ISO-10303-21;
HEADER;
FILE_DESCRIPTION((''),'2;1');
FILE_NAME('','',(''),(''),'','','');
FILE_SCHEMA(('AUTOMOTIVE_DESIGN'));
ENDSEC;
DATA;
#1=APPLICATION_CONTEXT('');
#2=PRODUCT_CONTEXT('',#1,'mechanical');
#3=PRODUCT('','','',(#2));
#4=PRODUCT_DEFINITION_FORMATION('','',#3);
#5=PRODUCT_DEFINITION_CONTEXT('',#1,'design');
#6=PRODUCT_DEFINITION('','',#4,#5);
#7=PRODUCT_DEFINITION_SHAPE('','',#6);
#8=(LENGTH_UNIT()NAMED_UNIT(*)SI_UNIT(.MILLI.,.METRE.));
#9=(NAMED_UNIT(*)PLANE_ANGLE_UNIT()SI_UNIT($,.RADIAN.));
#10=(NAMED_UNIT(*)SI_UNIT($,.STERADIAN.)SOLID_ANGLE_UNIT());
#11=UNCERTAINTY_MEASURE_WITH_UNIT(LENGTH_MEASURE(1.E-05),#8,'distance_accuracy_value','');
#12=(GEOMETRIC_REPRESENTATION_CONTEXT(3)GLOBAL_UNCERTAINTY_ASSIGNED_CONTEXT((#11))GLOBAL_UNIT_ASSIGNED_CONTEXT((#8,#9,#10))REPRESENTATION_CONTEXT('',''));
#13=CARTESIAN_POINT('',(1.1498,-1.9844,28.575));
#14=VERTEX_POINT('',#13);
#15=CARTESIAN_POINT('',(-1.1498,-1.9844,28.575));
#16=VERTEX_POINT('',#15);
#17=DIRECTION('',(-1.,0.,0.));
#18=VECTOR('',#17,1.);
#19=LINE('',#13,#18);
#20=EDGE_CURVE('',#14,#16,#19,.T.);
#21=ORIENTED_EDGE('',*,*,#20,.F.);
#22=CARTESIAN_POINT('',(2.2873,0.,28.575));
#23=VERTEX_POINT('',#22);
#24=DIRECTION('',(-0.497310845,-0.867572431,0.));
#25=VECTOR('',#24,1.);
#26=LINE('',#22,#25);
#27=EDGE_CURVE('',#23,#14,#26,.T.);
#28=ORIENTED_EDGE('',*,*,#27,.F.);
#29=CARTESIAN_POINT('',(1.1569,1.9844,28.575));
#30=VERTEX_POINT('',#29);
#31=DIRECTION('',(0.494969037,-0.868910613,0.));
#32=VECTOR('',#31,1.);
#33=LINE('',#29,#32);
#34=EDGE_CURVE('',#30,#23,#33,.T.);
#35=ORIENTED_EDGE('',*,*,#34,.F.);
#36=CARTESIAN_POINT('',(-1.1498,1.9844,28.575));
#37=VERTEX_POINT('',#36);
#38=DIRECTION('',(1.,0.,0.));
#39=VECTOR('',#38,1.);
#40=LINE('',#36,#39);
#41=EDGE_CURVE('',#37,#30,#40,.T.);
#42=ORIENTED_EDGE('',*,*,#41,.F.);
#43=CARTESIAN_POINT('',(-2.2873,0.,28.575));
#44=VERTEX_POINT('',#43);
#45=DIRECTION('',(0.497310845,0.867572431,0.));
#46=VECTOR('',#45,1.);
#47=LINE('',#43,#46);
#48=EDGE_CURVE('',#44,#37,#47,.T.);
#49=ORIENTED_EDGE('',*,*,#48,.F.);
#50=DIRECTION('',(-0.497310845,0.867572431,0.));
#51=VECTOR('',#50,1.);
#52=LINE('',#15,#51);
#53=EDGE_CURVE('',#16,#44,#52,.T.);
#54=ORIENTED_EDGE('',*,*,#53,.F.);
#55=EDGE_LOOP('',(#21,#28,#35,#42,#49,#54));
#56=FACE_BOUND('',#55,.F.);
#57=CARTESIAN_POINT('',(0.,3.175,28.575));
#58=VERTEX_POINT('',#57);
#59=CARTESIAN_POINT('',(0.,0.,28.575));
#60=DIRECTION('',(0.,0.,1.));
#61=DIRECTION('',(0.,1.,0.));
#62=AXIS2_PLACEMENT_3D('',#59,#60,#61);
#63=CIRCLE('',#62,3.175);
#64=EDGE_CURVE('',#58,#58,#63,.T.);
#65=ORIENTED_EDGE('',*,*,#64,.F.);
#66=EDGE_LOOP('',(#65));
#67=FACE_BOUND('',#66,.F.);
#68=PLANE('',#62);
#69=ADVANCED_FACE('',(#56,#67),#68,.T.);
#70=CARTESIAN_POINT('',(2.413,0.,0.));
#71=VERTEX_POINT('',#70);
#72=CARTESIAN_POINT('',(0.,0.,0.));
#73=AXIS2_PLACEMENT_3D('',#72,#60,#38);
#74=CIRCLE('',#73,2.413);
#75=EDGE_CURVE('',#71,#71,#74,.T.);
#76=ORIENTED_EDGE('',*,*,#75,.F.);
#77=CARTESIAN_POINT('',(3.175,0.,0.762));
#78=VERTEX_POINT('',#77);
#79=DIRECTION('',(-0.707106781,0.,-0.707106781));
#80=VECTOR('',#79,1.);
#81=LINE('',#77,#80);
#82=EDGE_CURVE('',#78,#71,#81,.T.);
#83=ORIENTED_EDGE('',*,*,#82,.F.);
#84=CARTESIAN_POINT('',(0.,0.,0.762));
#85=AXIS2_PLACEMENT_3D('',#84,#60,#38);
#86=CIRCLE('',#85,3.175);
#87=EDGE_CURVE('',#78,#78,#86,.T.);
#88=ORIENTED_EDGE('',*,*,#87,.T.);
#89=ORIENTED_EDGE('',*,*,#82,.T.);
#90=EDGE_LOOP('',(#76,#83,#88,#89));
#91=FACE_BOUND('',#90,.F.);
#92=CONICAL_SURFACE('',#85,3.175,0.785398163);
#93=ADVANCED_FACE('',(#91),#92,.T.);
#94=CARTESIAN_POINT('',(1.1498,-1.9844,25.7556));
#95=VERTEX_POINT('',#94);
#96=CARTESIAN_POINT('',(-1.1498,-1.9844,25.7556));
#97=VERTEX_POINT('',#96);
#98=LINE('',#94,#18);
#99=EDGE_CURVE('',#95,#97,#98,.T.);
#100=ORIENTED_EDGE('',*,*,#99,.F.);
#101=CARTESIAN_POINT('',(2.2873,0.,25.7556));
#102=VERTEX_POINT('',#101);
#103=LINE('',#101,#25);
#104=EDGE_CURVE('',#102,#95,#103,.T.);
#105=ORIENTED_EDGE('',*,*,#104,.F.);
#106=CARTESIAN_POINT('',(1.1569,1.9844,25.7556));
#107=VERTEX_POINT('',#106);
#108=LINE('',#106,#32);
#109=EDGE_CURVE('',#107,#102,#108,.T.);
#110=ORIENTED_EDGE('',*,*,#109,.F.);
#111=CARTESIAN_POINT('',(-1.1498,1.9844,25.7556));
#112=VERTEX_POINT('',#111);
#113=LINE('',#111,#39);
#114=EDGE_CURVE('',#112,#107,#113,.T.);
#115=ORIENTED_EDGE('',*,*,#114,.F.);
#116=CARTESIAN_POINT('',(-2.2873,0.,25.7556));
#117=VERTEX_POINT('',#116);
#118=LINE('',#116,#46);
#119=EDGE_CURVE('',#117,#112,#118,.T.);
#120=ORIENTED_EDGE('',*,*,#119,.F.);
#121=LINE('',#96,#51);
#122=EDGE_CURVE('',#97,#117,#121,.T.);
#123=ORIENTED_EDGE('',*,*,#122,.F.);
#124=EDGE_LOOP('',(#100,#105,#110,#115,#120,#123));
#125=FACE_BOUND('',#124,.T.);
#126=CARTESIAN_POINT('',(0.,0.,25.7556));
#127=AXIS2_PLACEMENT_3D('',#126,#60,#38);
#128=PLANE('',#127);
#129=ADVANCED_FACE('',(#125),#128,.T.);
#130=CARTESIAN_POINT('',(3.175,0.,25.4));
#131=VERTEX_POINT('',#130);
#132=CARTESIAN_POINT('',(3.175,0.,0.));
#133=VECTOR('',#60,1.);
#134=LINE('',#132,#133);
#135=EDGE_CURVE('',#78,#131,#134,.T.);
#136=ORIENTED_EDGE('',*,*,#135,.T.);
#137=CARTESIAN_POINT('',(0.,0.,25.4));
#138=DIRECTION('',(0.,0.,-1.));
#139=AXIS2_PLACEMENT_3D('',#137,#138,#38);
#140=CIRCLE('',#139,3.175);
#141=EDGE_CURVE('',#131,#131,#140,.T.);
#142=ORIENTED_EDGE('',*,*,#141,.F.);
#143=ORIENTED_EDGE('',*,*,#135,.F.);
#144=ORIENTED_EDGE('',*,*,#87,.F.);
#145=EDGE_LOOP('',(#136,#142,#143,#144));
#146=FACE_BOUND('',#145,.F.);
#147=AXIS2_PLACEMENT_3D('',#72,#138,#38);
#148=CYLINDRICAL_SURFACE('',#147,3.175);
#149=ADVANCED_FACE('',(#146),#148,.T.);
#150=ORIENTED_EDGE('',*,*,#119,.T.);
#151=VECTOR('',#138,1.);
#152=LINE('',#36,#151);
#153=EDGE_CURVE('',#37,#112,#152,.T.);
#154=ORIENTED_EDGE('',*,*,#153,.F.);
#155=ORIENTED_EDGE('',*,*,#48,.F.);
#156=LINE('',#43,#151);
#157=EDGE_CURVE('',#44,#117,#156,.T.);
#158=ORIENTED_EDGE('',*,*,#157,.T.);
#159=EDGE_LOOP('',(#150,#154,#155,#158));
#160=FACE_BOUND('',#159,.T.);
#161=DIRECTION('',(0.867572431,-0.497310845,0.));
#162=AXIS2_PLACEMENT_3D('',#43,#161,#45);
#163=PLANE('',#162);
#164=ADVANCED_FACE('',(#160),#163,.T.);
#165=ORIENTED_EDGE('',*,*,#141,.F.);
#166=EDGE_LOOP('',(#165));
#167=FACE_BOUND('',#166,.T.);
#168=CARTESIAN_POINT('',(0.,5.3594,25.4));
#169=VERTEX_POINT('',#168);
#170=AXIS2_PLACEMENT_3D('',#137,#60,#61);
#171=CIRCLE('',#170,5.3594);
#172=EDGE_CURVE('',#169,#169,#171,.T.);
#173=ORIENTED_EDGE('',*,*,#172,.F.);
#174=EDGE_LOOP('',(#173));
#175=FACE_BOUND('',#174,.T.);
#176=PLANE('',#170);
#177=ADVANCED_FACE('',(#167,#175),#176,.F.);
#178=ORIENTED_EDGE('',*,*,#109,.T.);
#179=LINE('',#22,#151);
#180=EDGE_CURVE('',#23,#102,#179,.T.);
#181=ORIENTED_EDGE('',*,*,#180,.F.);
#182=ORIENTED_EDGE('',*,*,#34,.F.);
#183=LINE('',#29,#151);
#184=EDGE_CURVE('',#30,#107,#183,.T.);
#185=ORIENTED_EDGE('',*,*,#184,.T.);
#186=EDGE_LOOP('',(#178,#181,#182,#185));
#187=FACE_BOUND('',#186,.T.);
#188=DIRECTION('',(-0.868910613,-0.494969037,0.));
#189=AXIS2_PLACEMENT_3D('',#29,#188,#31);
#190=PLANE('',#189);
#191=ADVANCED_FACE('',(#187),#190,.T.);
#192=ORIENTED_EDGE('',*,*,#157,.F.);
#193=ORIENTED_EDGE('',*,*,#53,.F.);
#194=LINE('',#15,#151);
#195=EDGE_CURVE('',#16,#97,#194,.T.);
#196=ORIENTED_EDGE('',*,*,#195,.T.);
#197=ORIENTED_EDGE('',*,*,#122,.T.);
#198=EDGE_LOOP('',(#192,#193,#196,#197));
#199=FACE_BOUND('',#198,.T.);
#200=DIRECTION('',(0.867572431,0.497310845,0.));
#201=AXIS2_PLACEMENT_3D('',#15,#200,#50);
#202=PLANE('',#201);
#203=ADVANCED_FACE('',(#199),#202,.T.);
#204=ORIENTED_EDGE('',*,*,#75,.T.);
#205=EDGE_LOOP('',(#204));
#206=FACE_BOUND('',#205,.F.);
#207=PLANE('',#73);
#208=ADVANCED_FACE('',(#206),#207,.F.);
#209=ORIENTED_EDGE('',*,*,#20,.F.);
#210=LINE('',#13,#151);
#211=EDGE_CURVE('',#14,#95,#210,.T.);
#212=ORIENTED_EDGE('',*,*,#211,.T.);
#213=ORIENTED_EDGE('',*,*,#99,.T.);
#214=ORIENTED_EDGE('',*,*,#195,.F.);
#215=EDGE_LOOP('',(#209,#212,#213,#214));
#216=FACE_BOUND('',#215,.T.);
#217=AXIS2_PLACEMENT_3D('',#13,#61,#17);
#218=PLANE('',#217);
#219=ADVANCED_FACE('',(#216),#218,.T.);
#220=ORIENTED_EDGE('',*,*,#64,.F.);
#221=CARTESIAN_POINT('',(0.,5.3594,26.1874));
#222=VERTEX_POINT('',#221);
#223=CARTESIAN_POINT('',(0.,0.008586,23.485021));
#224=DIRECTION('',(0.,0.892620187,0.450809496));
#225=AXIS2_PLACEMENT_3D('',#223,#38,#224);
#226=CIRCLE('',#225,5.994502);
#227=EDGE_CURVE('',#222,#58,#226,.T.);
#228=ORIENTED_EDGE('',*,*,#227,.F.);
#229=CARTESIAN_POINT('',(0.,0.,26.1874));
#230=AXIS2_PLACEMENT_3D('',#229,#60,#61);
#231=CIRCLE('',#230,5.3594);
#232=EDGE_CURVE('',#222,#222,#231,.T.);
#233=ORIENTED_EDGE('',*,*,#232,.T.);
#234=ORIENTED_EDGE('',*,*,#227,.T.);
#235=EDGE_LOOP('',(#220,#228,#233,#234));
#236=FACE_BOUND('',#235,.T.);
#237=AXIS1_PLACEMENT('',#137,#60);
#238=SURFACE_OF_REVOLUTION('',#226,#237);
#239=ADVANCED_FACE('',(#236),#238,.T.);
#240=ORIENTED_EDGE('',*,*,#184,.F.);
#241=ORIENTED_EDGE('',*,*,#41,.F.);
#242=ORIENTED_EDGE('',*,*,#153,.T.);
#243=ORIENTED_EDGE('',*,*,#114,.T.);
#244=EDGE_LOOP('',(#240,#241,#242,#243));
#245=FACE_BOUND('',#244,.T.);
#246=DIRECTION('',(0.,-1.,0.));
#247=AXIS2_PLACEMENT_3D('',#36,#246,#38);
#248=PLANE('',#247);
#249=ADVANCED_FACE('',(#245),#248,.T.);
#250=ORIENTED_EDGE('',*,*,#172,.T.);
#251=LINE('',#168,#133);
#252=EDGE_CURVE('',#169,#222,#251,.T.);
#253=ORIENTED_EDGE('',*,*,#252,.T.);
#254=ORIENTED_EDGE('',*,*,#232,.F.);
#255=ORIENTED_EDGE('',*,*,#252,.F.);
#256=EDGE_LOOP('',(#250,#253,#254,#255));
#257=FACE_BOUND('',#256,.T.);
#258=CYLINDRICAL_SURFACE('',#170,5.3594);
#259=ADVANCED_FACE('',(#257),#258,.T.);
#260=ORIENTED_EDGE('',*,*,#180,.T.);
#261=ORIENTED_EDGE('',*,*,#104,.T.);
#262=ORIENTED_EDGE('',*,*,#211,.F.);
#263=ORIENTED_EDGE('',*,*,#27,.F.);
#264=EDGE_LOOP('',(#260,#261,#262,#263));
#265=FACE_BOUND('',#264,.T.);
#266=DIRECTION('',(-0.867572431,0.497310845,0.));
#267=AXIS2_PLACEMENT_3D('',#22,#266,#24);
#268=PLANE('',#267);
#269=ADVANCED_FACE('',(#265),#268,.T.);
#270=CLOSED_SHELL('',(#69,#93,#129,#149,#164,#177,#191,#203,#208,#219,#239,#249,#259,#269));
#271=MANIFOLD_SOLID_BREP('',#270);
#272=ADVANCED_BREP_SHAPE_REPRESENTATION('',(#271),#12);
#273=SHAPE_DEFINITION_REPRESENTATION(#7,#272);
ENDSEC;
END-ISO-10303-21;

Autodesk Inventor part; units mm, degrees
ref_plane "XZ Plane" through (0, 0, 0) normal (0, 1, 0) x (-1, 0, 0)
ref_plane "XY Plane" through (0, 0, 0) normal (0, 0, 1) x (1, 0, 0)
sketch "Bolt sketch" plane through (0, 0, 0) normal (0, 0, 1) x (1, 0, 0)
  circle A0 centre (0, 0) radius 3.175
  dimension "d0" = 6.35
extrude "Bolt extrution" add sketch "Bolt sketch" along normal blind 25.4
thread "Axle peg Thread" size "1/4-20 UNC" class "2A" standard "ANSI Unified Screw Threads" length 19.05 offset 6.35
sketch "Head Sketch" plane through (0, 0, 0) normal (1, 0, 0) x (0, 1, 0)
  line L0 (3.175, 25.4) -> (-3.175, 25.4) projected
  line L1 (0, 25.4) -> (5.3594, 25.4)
  line L2 (5.3594, 25.4) -> (5.3594, 26.1874)
  line L3 (0, 25.4) -> (0, 28.575)
  line L4 (0, 28.575) -> (3.175, 28.575)
  arc A0 (5.3594, 26.1874) -> (3.175, 28.575) centre (0.0087, 23.4851) ccw
  point P0 (0, 0)
  dimension "d5" = 5.3594
  dimension "d6" = 0.7874
  dimension "d7" = 3.175
  dimension "d8" = 3.175
  dimension "d9" = 5.9944
revolve "Revolution1" add sketch "Head Sketch" angle 360 about axis through (0, 0, 25.4) along (0, 0, 1)
sketch "Hexagon sketch" plane through (0, 0, 28.575) normal (0, 0, 1) x (1, 0, 0)
  line L0 (1.1498, -1.9844) -> (-1.1498, -1.9844)
  line L1 (-1.1498, -1.9844) -> (-2.2873, 0)
  line L2 (-2.2873, 0) -> (-1.1498, 1.9844)
  line L3 (-1.1498, 1.9844) -> (1.1569, 1.9844)
  line L4 (1.1569, 1.9844) -> (2.2873, 0)
  line L5 (2.2873, 0) -> (1.1498, -1.9844)
  line L6 (0, 0) -> (3.4356, 0) construction
  line L7 (0, 0) -> (-2.586, 0) construction
  dimension "d13" = 3.9688
  dimension "d15" = 3.9688
  dimension "d16" = 0.156
  dimension "d17" = 1.9844
  dimension "d18" = 1.9844
  dimension "d19" = 1.9844
  dimension "d20" = 1.9875
extrude "Hexagon Hole extrution" cut sketch "Hexagon sketch" against normal blind 2.8194
chamfer "Bottom Chamfer" distance 0.762 angle 45 1 edges at (-3.175, 0, 0)
properties part number "Caufield_Axle_Peg"
